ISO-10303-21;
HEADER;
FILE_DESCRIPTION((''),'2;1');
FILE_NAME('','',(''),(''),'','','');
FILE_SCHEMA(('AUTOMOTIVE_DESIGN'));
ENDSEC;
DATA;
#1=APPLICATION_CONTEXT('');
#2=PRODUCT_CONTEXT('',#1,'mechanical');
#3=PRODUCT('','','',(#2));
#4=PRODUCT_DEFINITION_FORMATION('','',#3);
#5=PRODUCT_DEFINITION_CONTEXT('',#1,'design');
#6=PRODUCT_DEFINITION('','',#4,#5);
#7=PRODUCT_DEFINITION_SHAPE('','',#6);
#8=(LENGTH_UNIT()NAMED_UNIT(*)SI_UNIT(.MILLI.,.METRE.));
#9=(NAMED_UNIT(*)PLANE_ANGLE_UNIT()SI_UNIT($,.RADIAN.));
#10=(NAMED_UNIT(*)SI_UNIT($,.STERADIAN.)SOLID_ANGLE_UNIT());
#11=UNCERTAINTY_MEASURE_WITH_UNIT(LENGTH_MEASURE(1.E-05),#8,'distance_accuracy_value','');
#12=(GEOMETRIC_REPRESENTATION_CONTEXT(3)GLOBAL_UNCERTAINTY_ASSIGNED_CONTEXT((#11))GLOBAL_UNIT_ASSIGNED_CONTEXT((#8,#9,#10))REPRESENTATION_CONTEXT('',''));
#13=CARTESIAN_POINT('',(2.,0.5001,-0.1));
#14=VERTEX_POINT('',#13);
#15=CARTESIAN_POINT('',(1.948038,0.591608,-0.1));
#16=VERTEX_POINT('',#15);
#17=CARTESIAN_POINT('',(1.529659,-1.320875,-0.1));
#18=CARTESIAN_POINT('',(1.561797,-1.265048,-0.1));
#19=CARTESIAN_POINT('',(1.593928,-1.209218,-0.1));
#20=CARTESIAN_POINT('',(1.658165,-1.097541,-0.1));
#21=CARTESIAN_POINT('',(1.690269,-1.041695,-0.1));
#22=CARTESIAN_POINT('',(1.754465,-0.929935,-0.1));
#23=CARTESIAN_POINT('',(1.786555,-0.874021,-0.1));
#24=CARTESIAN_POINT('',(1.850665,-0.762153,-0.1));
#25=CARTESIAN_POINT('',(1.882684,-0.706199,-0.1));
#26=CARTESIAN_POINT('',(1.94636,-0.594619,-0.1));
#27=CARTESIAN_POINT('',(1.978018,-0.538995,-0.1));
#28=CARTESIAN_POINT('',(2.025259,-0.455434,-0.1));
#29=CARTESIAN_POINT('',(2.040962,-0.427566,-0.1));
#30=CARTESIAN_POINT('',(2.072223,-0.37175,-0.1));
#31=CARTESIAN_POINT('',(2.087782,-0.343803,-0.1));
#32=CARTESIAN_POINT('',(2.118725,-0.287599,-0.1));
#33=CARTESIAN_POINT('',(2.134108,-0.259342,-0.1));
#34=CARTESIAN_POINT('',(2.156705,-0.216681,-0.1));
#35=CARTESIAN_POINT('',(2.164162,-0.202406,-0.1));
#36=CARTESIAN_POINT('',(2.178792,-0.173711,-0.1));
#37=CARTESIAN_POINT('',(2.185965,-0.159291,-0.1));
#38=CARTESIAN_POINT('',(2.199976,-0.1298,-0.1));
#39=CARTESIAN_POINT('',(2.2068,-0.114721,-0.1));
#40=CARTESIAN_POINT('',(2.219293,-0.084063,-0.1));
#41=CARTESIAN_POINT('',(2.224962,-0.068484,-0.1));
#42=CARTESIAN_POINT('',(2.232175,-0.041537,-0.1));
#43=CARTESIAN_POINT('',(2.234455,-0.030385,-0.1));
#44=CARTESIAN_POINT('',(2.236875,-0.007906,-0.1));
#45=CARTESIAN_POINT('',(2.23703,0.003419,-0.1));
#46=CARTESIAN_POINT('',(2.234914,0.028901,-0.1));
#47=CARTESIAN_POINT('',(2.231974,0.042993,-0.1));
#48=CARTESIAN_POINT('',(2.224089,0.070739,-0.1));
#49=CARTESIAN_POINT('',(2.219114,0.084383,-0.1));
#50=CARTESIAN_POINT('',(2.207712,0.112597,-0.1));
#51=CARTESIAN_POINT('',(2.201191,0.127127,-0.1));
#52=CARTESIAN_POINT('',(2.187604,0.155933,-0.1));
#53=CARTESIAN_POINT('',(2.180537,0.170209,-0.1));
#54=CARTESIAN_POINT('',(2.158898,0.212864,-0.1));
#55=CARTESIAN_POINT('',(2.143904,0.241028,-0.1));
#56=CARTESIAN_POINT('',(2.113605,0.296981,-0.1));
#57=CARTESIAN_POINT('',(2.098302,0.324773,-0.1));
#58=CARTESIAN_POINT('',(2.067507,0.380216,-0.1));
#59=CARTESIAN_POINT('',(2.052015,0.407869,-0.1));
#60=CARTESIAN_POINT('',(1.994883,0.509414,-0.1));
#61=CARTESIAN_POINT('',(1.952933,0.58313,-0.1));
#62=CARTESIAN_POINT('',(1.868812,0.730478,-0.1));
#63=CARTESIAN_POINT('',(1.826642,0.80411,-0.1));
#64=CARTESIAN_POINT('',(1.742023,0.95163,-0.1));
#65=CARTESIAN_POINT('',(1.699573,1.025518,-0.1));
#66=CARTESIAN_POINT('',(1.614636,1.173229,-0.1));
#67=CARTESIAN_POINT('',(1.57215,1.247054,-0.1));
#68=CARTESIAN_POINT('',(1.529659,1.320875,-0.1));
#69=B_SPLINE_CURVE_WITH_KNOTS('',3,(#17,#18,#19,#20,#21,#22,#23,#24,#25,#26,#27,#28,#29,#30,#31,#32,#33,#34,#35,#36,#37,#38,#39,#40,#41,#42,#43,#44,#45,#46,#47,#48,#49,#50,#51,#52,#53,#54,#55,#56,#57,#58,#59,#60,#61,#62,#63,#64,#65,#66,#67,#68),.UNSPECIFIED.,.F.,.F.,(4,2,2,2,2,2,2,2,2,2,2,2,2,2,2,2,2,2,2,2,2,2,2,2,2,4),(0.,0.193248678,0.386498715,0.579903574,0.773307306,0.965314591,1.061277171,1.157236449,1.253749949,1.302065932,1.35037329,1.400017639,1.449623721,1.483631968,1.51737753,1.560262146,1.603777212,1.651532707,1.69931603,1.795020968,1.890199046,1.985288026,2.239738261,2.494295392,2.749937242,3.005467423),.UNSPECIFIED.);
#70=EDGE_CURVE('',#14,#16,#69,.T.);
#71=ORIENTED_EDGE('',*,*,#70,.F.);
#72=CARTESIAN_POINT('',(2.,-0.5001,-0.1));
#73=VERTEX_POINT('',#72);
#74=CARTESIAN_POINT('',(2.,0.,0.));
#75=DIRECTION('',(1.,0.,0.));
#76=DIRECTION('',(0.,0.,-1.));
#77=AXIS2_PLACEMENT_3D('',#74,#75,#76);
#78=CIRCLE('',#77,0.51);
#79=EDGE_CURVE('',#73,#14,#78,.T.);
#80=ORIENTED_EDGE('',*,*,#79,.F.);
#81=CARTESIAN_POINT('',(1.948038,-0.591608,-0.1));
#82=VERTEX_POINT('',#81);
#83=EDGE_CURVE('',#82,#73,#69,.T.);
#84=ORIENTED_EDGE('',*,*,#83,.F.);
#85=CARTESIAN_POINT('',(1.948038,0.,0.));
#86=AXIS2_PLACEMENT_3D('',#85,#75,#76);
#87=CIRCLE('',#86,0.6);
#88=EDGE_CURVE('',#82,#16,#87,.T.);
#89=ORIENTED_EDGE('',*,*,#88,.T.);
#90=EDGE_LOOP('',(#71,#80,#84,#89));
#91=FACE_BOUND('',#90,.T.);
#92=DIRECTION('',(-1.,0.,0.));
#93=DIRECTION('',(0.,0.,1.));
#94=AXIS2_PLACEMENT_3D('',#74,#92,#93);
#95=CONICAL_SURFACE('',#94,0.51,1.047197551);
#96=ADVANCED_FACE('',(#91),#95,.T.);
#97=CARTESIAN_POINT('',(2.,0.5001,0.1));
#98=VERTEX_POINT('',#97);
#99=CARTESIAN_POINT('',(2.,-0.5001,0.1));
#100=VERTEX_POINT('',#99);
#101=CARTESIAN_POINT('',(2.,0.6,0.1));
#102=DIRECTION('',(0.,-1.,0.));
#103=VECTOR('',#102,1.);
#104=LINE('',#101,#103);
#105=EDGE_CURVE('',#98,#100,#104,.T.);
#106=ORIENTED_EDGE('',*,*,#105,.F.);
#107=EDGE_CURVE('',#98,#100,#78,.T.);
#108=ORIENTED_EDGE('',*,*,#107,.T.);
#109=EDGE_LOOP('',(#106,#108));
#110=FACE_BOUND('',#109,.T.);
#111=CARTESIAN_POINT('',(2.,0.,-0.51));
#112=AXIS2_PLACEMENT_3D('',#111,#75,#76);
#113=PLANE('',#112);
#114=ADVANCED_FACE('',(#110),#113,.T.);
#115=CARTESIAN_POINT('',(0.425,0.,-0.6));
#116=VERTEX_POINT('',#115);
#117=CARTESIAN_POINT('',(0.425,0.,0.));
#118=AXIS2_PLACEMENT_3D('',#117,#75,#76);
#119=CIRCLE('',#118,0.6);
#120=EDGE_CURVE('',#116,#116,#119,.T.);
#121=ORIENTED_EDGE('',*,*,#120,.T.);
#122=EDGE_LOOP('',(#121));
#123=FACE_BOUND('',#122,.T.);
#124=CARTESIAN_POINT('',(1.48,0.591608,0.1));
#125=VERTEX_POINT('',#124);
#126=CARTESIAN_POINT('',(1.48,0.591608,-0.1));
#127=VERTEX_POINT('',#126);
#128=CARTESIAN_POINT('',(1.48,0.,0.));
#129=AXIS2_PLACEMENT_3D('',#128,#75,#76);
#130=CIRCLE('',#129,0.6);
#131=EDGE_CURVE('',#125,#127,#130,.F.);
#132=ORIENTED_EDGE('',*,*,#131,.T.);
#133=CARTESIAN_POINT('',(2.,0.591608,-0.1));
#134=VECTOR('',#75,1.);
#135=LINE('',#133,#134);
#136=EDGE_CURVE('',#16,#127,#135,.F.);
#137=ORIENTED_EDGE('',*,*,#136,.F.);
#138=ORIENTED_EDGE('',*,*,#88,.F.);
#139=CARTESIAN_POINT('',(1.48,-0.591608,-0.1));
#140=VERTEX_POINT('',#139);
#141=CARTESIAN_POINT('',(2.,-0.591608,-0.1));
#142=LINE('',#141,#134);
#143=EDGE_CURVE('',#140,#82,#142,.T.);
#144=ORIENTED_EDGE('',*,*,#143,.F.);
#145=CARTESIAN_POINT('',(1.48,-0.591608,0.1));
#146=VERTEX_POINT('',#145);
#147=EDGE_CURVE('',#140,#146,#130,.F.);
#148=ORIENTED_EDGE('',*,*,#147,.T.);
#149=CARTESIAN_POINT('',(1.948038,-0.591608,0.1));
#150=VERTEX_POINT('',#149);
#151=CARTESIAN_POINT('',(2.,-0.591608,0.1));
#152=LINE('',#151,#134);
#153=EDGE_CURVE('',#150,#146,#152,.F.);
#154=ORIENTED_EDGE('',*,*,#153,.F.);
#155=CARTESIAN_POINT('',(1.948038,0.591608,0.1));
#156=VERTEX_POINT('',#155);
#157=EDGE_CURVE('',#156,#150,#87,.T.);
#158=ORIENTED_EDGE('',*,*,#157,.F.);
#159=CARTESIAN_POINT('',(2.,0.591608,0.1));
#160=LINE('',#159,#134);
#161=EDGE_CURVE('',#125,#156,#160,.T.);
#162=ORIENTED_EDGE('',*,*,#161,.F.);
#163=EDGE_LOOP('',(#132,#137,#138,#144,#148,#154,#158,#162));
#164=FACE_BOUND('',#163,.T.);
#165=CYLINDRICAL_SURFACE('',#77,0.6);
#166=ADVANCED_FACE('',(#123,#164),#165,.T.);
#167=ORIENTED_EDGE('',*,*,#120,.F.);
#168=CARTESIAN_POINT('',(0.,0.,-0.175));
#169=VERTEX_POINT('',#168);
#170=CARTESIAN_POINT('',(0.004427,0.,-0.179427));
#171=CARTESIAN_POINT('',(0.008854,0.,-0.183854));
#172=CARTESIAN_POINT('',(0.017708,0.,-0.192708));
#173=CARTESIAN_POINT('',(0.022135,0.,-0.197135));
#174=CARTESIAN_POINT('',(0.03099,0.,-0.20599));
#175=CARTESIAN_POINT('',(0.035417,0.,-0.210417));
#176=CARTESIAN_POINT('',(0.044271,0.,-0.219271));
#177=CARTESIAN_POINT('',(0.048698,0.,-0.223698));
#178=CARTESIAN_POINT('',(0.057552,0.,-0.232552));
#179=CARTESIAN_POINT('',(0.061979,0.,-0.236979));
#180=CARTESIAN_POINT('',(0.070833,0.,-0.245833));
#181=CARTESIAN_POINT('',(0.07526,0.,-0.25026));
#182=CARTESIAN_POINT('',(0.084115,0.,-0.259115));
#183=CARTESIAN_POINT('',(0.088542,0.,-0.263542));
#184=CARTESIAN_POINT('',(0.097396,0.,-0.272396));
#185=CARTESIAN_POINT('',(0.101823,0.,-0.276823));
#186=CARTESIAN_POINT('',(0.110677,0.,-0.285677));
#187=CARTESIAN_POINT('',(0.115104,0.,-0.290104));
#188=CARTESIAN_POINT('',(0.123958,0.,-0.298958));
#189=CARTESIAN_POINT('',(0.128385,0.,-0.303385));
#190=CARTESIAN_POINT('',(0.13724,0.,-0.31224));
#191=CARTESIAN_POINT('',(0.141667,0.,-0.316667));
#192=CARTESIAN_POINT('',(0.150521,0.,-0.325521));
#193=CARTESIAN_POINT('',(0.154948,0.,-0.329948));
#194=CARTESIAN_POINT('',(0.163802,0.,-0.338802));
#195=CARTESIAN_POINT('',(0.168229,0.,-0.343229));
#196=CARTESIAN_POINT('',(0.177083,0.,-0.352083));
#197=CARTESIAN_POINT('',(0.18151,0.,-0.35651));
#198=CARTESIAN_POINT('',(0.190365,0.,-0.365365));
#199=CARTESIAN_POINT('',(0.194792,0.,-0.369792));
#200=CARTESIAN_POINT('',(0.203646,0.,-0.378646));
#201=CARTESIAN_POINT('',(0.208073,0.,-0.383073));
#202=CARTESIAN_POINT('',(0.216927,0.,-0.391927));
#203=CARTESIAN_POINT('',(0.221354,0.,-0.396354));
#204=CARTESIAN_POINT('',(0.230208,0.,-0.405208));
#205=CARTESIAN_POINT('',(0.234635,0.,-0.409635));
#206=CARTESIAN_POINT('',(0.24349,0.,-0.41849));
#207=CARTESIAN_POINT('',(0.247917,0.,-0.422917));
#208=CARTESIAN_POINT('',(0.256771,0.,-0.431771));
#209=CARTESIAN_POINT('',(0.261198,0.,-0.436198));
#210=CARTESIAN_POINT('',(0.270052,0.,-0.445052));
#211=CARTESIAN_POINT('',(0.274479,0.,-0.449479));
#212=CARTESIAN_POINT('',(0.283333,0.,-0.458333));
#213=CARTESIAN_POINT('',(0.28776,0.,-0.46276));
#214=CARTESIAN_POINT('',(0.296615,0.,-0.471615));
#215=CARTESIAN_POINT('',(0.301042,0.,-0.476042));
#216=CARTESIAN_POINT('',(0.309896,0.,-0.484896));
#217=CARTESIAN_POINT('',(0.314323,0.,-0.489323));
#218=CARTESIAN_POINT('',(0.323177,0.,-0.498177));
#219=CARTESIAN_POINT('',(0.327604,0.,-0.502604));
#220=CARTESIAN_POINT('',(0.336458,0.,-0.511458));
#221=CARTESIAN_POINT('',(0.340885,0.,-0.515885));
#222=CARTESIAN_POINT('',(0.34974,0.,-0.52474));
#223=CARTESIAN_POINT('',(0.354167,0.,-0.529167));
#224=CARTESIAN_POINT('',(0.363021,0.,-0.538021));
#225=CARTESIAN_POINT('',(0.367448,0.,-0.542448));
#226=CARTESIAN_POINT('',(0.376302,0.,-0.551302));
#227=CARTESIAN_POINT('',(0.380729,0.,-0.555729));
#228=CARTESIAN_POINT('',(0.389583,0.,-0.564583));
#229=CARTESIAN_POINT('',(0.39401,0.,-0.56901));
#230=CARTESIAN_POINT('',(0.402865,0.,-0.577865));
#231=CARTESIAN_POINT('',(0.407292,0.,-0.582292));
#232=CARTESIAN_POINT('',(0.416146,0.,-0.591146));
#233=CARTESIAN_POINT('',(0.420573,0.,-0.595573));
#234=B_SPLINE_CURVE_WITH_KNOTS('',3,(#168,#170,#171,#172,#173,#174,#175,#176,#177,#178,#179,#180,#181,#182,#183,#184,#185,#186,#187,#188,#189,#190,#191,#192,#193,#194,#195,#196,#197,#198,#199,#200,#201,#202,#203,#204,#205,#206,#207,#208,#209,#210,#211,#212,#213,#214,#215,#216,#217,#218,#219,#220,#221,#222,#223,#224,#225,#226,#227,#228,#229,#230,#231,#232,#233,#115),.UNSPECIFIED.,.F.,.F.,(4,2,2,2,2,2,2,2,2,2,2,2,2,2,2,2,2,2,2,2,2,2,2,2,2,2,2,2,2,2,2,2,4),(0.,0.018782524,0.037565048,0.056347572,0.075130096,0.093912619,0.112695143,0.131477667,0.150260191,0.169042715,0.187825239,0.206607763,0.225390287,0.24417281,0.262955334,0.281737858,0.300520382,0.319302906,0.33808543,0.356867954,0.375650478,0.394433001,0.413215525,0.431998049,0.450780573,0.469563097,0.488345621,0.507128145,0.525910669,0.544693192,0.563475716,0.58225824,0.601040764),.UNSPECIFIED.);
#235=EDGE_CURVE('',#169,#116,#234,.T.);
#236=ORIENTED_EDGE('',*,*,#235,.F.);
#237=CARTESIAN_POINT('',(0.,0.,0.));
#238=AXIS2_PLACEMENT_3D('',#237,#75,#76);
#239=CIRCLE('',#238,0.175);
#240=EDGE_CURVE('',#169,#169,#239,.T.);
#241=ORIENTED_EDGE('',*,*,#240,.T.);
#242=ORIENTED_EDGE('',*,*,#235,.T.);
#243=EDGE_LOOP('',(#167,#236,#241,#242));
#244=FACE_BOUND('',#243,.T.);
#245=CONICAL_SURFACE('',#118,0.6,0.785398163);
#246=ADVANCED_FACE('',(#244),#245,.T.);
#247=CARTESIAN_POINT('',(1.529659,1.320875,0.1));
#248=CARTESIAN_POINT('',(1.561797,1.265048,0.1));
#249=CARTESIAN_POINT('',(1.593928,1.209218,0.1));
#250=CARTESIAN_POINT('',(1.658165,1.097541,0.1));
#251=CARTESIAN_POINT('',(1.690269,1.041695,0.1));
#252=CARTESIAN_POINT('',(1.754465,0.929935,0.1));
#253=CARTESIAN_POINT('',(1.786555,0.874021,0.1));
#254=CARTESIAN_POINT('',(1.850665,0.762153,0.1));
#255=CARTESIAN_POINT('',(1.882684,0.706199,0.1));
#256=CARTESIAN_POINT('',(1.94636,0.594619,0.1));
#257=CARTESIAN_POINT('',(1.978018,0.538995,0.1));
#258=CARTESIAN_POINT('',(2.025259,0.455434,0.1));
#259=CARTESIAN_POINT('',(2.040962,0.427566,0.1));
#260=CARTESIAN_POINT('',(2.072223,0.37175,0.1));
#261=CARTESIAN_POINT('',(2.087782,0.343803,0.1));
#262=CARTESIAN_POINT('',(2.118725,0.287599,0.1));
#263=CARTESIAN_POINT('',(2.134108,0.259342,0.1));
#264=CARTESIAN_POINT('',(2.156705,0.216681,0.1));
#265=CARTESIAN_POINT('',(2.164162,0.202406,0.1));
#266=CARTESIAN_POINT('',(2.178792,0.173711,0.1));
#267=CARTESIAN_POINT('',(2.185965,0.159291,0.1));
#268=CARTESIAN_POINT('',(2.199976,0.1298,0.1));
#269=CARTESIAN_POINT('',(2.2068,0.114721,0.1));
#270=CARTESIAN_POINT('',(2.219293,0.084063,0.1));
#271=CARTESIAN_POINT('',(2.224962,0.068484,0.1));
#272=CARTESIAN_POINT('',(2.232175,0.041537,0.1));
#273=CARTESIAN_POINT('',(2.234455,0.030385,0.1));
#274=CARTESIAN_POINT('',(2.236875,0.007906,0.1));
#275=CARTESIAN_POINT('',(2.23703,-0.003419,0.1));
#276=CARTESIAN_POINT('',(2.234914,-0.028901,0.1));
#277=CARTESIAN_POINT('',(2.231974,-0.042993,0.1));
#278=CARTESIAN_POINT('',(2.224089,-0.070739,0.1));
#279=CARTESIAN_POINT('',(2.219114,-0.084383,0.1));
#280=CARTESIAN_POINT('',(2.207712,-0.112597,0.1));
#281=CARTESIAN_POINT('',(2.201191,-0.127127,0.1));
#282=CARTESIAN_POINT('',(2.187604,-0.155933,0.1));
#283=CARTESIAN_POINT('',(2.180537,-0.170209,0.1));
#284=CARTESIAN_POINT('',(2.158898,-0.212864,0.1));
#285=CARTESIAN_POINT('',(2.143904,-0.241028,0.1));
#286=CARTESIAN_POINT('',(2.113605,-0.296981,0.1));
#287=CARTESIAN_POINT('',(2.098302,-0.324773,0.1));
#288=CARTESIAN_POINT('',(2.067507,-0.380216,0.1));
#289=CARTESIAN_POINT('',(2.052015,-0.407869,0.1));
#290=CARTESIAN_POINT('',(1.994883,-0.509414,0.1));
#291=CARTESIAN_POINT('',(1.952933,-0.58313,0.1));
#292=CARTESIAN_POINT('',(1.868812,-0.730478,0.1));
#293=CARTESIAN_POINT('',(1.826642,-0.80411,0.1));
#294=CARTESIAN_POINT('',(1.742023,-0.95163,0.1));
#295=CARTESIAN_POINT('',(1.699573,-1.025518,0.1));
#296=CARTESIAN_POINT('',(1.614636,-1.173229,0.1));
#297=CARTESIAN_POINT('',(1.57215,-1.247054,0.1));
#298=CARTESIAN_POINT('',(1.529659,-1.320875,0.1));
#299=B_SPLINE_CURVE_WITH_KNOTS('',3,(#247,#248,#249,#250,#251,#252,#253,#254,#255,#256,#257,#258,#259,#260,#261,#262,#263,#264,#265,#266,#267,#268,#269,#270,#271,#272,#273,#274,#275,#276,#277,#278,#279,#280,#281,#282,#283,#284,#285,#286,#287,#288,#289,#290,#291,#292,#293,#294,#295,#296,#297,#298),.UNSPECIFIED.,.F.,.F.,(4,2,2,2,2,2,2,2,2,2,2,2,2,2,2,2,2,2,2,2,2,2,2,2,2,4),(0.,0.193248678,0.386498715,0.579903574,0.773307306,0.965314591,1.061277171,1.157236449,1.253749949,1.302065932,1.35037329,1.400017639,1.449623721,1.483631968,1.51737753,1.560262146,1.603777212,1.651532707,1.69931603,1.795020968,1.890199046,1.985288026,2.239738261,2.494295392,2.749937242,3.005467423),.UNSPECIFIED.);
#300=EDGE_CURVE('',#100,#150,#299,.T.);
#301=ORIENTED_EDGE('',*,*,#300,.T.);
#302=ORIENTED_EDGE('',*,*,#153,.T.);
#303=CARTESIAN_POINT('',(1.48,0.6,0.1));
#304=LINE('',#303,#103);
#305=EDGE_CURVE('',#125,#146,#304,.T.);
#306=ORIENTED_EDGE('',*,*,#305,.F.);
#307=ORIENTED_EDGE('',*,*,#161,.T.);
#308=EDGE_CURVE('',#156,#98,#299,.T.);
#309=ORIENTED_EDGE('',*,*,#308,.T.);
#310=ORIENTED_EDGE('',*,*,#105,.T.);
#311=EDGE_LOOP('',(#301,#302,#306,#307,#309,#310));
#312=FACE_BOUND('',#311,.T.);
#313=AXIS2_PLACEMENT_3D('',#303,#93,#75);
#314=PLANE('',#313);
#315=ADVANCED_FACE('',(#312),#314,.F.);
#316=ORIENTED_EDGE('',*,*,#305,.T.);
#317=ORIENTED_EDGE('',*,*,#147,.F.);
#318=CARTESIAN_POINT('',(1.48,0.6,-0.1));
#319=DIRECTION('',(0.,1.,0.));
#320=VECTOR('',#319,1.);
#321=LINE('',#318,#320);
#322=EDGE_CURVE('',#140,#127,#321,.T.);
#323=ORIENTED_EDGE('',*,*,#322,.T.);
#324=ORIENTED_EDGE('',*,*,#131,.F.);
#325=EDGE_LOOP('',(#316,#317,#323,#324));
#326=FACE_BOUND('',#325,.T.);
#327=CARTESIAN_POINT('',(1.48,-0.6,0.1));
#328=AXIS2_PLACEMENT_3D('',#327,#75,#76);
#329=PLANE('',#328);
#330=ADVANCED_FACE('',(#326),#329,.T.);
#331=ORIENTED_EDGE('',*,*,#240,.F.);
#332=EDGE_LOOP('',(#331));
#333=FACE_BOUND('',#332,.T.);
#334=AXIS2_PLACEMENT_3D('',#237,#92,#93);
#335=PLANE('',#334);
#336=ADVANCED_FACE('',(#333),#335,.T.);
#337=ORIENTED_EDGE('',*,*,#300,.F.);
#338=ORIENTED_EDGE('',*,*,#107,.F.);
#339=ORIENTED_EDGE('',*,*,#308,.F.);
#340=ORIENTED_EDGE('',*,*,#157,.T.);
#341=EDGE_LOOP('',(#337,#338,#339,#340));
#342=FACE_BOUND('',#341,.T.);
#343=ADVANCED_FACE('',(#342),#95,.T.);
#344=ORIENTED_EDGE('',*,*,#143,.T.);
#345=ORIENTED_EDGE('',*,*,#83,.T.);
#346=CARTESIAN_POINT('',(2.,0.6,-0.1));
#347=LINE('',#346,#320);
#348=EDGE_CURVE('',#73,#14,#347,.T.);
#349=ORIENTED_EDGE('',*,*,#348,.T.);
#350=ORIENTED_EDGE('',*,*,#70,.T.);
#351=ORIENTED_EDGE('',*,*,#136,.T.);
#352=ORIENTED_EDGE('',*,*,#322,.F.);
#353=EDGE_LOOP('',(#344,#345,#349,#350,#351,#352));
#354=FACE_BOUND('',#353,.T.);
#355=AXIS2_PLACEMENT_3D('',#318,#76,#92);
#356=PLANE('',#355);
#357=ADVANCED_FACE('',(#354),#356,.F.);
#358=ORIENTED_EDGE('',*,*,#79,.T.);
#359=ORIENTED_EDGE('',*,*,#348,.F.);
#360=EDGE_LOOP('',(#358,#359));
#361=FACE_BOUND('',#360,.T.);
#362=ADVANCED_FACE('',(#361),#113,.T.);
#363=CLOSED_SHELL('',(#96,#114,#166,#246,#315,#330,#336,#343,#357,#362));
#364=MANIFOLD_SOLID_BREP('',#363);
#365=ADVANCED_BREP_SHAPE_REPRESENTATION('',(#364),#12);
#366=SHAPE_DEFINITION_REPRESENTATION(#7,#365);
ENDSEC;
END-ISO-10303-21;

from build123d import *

# Parameters (mm, degrees)
SKICA2_W                 = 0.2
SKICA2_H                 = 1.2
ODEBRAT_VYSUNUT_M1_DEPTH = 0.52


with BuildPart() as part:
    # Skica1 → Otočit kolem osy1 (revolve)
    with BuildSketch(Plane(origin=(0, 0, 0), x_dir=(1, 0, 0), z_dir=(0, 1, 0))):
        Polygon((0, 0), (0, 0.175), (0.425, 0.6), (1.948038476, 0.6), (2, 0.51), (2, 0), align=None)
    revolve(axis=Axis((2, 0, 0), (-1, 0, 0)))

    # Skica2 → Odebrat vysunutím1 (cut)
    with BuildSketch(Plane(origin=(2, 0, 0), x_dir=(0, 0, -1), z_dir=(1, 0, 0))):
        Rectangle(SKICA2_W, SKICA2_H)
    extrude(amount=-ODEBRAT_VYSUNUT_M1_DEPTH, mode=Mode.SUBTRACT)


solid = part.part
